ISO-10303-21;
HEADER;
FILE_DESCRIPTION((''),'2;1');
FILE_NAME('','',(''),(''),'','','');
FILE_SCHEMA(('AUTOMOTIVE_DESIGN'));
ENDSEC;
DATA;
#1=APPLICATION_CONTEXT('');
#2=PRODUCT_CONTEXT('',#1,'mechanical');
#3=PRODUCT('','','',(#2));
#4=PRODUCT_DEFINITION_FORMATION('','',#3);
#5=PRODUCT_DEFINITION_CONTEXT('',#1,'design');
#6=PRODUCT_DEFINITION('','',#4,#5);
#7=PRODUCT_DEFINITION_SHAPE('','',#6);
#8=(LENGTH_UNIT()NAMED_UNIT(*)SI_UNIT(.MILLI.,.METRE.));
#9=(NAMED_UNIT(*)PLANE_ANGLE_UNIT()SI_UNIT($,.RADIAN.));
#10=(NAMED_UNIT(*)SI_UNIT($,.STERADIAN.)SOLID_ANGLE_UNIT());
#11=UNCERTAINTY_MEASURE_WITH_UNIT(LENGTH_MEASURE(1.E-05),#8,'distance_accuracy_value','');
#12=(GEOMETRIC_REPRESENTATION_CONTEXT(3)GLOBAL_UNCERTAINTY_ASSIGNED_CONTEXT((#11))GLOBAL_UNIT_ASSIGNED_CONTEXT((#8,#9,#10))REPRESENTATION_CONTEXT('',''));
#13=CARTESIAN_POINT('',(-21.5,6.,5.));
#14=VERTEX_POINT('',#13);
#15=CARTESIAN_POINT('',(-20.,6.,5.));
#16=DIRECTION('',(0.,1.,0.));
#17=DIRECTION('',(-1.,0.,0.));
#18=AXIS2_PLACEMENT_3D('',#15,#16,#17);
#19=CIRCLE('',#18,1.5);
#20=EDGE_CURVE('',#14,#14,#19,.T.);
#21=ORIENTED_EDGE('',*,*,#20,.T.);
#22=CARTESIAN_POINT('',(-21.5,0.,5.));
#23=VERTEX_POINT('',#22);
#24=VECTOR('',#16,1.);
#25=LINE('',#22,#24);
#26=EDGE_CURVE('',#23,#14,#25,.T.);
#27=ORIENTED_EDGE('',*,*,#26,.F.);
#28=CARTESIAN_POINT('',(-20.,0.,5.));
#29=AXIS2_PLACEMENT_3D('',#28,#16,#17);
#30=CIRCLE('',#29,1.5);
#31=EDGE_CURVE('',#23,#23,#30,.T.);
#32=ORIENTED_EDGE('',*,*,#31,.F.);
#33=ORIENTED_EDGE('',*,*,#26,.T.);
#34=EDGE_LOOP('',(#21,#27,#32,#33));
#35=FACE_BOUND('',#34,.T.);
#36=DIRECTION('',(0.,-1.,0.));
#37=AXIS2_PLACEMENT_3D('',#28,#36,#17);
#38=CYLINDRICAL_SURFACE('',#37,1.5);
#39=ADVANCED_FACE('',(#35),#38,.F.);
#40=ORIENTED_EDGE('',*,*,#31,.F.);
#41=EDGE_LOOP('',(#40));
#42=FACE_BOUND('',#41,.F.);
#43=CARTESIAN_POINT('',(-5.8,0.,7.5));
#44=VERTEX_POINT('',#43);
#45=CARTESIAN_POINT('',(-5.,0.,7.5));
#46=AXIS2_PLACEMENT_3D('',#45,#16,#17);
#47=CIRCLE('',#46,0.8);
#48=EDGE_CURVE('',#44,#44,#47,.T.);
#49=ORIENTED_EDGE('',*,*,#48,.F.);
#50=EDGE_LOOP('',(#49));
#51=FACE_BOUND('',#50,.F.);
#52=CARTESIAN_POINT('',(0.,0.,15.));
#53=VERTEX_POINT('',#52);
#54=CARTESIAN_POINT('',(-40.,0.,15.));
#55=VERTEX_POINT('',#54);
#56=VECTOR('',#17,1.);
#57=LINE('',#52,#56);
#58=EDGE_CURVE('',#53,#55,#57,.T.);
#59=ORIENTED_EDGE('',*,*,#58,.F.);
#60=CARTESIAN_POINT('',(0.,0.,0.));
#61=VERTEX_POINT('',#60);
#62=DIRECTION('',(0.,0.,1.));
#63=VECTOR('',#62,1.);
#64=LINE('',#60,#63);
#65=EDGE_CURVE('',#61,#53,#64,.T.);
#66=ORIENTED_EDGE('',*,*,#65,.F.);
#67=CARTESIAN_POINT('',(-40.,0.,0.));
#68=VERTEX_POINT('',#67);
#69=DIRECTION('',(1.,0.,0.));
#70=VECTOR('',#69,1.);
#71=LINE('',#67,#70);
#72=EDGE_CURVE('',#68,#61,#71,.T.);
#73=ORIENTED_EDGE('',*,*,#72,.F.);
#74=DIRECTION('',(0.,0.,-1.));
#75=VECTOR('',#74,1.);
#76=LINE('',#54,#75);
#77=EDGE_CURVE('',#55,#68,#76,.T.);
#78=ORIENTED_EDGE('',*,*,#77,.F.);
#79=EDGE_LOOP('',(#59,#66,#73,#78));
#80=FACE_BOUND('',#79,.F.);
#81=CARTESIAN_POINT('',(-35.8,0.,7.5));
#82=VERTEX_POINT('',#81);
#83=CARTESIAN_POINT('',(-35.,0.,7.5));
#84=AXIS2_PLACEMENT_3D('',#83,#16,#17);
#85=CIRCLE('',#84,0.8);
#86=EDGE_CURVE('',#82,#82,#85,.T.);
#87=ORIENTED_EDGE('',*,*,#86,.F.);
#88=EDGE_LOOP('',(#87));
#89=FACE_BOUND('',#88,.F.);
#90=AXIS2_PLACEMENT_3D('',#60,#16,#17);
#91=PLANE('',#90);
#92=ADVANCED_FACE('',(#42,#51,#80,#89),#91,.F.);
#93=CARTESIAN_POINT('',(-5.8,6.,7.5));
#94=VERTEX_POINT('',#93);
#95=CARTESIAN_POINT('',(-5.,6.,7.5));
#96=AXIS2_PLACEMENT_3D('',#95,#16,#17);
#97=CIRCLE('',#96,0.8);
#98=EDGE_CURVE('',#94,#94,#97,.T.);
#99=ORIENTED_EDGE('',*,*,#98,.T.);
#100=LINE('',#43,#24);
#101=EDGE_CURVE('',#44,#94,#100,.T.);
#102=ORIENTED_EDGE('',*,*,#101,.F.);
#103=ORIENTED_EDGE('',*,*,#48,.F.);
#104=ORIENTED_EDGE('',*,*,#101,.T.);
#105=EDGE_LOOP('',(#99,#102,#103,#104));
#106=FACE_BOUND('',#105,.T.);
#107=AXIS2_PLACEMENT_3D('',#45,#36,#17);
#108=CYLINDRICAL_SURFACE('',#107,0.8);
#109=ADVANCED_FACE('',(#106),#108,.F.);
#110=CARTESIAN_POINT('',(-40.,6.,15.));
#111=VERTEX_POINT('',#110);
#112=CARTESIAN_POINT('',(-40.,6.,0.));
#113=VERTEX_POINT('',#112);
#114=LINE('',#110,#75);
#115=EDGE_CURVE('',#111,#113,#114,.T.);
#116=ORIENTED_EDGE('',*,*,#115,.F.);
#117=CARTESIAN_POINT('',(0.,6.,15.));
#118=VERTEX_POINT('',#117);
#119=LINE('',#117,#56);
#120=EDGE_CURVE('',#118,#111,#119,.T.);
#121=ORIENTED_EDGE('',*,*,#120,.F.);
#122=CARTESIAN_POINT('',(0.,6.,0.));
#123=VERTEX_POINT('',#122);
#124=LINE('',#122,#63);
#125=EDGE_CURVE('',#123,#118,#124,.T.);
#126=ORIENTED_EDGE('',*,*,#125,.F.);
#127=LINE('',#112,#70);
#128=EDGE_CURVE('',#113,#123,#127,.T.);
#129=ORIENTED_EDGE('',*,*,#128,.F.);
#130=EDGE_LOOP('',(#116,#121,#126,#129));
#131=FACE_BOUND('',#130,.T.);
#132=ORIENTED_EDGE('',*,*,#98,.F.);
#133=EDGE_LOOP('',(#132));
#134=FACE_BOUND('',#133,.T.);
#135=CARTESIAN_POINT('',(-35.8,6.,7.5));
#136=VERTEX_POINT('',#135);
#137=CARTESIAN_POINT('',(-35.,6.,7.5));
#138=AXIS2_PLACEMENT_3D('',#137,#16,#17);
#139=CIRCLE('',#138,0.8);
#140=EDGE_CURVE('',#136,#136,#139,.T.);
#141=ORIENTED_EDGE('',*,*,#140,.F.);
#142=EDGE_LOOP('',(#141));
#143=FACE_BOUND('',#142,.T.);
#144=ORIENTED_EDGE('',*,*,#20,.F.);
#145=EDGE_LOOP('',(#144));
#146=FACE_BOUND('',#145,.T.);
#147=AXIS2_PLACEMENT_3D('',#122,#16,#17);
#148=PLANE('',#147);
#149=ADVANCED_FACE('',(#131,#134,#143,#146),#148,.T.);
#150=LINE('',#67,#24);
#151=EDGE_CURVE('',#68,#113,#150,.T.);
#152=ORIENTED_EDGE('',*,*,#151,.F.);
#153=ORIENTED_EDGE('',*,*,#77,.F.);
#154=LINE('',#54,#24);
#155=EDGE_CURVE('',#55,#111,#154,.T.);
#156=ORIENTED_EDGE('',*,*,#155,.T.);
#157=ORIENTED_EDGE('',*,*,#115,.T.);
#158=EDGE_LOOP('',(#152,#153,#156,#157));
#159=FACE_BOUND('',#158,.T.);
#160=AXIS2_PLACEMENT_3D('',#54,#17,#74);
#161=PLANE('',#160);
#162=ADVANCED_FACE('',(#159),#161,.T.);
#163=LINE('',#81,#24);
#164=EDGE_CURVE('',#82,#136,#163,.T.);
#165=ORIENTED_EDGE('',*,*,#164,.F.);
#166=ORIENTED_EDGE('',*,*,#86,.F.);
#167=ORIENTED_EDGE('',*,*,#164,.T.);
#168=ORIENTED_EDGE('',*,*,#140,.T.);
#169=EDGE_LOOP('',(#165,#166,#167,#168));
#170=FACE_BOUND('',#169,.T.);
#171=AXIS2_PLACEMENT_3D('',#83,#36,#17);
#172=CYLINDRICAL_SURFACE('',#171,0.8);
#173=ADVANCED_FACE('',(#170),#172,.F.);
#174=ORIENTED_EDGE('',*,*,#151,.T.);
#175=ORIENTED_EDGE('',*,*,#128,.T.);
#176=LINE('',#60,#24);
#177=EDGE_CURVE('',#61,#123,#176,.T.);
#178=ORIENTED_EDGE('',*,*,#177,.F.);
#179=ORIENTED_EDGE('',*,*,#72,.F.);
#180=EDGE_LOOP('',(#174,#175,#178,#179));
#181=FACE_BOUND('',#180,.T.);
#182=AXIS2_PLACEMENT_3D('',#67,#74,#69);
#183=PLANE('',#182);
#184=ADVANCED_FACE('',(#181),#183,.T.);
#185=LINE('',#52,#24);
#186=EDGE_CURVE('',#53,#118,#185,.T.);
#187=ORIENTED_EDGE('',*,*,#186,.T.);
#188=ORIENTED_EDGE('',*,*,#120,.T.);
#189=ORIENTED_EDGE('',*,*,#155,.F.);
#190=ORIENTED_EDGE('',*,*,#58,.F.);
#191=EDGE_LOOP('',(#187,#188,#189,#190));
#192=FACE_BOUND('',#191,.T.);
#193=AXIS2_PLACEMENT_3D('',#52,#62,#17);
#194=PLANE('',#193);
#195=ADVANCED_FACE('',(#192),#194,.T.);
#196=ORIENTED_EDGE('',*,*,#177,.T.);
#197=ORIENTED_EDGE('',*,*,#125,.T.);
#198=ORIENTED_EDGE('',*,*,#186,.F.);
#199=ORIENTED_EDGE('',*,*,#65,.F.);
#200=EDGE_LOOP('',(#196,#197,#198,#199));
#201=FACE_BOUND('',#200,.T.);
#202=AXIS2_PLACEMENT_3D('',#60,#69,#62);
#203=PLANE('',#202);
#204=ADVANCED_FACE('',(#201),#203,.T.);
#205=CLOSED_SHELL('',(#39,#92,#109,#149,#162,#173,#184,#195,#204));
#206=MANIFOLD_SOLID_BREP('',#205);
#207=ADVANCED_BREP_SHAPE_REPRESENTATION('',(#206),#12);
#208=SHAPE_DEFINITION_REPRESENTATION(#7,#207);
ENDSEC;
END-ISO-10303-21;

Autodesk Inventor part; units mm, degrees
ref_plane "YZ Plane" through (0, 0, 0) normal (1, 0, 0) x (0, 1, 0)
ref_plane "XZ Plane" through (0, 0, 0) normal (0, 1, 0) x (-1, 0, 0)
ref_plane "XY Plane" through (0, 0, 0) normal (0, 0, 1) x (1, 0, 0)
sketch "Sketch1" plane through (0, 0, 0) normal (0, 1, 0) x (-1, 0, 0)
  line L0 (0, 15) -> (40, 15)
  line L1 (40, 15) -> (40, 0)
  line L2 (40, 0) -> (0, 0)
  line L3 (0, 0) -> (0, 15)
  circle A0 centre (5, 7.5) radius 0.8
  circle A1 centre (35, 7.5) radius 0.8
  circle A2 centre (20, 5) radius 1.5
  dimension "d0" = 1.6
  dimension "d1" = 7.5
  dimension "d2" = 5
  dimension "d3" = 5
  dimension "d4" = 30
  dimension "d8" = 15
  dimension "d9" = 3
  dimension "d10" = 20
  dimension "d11" = 5
extrude "Extrusion1" add sketch "Sketch1" along normal blind 6
properties part number "phone_holder_slider_cover" material "Acrylic, Clear"
